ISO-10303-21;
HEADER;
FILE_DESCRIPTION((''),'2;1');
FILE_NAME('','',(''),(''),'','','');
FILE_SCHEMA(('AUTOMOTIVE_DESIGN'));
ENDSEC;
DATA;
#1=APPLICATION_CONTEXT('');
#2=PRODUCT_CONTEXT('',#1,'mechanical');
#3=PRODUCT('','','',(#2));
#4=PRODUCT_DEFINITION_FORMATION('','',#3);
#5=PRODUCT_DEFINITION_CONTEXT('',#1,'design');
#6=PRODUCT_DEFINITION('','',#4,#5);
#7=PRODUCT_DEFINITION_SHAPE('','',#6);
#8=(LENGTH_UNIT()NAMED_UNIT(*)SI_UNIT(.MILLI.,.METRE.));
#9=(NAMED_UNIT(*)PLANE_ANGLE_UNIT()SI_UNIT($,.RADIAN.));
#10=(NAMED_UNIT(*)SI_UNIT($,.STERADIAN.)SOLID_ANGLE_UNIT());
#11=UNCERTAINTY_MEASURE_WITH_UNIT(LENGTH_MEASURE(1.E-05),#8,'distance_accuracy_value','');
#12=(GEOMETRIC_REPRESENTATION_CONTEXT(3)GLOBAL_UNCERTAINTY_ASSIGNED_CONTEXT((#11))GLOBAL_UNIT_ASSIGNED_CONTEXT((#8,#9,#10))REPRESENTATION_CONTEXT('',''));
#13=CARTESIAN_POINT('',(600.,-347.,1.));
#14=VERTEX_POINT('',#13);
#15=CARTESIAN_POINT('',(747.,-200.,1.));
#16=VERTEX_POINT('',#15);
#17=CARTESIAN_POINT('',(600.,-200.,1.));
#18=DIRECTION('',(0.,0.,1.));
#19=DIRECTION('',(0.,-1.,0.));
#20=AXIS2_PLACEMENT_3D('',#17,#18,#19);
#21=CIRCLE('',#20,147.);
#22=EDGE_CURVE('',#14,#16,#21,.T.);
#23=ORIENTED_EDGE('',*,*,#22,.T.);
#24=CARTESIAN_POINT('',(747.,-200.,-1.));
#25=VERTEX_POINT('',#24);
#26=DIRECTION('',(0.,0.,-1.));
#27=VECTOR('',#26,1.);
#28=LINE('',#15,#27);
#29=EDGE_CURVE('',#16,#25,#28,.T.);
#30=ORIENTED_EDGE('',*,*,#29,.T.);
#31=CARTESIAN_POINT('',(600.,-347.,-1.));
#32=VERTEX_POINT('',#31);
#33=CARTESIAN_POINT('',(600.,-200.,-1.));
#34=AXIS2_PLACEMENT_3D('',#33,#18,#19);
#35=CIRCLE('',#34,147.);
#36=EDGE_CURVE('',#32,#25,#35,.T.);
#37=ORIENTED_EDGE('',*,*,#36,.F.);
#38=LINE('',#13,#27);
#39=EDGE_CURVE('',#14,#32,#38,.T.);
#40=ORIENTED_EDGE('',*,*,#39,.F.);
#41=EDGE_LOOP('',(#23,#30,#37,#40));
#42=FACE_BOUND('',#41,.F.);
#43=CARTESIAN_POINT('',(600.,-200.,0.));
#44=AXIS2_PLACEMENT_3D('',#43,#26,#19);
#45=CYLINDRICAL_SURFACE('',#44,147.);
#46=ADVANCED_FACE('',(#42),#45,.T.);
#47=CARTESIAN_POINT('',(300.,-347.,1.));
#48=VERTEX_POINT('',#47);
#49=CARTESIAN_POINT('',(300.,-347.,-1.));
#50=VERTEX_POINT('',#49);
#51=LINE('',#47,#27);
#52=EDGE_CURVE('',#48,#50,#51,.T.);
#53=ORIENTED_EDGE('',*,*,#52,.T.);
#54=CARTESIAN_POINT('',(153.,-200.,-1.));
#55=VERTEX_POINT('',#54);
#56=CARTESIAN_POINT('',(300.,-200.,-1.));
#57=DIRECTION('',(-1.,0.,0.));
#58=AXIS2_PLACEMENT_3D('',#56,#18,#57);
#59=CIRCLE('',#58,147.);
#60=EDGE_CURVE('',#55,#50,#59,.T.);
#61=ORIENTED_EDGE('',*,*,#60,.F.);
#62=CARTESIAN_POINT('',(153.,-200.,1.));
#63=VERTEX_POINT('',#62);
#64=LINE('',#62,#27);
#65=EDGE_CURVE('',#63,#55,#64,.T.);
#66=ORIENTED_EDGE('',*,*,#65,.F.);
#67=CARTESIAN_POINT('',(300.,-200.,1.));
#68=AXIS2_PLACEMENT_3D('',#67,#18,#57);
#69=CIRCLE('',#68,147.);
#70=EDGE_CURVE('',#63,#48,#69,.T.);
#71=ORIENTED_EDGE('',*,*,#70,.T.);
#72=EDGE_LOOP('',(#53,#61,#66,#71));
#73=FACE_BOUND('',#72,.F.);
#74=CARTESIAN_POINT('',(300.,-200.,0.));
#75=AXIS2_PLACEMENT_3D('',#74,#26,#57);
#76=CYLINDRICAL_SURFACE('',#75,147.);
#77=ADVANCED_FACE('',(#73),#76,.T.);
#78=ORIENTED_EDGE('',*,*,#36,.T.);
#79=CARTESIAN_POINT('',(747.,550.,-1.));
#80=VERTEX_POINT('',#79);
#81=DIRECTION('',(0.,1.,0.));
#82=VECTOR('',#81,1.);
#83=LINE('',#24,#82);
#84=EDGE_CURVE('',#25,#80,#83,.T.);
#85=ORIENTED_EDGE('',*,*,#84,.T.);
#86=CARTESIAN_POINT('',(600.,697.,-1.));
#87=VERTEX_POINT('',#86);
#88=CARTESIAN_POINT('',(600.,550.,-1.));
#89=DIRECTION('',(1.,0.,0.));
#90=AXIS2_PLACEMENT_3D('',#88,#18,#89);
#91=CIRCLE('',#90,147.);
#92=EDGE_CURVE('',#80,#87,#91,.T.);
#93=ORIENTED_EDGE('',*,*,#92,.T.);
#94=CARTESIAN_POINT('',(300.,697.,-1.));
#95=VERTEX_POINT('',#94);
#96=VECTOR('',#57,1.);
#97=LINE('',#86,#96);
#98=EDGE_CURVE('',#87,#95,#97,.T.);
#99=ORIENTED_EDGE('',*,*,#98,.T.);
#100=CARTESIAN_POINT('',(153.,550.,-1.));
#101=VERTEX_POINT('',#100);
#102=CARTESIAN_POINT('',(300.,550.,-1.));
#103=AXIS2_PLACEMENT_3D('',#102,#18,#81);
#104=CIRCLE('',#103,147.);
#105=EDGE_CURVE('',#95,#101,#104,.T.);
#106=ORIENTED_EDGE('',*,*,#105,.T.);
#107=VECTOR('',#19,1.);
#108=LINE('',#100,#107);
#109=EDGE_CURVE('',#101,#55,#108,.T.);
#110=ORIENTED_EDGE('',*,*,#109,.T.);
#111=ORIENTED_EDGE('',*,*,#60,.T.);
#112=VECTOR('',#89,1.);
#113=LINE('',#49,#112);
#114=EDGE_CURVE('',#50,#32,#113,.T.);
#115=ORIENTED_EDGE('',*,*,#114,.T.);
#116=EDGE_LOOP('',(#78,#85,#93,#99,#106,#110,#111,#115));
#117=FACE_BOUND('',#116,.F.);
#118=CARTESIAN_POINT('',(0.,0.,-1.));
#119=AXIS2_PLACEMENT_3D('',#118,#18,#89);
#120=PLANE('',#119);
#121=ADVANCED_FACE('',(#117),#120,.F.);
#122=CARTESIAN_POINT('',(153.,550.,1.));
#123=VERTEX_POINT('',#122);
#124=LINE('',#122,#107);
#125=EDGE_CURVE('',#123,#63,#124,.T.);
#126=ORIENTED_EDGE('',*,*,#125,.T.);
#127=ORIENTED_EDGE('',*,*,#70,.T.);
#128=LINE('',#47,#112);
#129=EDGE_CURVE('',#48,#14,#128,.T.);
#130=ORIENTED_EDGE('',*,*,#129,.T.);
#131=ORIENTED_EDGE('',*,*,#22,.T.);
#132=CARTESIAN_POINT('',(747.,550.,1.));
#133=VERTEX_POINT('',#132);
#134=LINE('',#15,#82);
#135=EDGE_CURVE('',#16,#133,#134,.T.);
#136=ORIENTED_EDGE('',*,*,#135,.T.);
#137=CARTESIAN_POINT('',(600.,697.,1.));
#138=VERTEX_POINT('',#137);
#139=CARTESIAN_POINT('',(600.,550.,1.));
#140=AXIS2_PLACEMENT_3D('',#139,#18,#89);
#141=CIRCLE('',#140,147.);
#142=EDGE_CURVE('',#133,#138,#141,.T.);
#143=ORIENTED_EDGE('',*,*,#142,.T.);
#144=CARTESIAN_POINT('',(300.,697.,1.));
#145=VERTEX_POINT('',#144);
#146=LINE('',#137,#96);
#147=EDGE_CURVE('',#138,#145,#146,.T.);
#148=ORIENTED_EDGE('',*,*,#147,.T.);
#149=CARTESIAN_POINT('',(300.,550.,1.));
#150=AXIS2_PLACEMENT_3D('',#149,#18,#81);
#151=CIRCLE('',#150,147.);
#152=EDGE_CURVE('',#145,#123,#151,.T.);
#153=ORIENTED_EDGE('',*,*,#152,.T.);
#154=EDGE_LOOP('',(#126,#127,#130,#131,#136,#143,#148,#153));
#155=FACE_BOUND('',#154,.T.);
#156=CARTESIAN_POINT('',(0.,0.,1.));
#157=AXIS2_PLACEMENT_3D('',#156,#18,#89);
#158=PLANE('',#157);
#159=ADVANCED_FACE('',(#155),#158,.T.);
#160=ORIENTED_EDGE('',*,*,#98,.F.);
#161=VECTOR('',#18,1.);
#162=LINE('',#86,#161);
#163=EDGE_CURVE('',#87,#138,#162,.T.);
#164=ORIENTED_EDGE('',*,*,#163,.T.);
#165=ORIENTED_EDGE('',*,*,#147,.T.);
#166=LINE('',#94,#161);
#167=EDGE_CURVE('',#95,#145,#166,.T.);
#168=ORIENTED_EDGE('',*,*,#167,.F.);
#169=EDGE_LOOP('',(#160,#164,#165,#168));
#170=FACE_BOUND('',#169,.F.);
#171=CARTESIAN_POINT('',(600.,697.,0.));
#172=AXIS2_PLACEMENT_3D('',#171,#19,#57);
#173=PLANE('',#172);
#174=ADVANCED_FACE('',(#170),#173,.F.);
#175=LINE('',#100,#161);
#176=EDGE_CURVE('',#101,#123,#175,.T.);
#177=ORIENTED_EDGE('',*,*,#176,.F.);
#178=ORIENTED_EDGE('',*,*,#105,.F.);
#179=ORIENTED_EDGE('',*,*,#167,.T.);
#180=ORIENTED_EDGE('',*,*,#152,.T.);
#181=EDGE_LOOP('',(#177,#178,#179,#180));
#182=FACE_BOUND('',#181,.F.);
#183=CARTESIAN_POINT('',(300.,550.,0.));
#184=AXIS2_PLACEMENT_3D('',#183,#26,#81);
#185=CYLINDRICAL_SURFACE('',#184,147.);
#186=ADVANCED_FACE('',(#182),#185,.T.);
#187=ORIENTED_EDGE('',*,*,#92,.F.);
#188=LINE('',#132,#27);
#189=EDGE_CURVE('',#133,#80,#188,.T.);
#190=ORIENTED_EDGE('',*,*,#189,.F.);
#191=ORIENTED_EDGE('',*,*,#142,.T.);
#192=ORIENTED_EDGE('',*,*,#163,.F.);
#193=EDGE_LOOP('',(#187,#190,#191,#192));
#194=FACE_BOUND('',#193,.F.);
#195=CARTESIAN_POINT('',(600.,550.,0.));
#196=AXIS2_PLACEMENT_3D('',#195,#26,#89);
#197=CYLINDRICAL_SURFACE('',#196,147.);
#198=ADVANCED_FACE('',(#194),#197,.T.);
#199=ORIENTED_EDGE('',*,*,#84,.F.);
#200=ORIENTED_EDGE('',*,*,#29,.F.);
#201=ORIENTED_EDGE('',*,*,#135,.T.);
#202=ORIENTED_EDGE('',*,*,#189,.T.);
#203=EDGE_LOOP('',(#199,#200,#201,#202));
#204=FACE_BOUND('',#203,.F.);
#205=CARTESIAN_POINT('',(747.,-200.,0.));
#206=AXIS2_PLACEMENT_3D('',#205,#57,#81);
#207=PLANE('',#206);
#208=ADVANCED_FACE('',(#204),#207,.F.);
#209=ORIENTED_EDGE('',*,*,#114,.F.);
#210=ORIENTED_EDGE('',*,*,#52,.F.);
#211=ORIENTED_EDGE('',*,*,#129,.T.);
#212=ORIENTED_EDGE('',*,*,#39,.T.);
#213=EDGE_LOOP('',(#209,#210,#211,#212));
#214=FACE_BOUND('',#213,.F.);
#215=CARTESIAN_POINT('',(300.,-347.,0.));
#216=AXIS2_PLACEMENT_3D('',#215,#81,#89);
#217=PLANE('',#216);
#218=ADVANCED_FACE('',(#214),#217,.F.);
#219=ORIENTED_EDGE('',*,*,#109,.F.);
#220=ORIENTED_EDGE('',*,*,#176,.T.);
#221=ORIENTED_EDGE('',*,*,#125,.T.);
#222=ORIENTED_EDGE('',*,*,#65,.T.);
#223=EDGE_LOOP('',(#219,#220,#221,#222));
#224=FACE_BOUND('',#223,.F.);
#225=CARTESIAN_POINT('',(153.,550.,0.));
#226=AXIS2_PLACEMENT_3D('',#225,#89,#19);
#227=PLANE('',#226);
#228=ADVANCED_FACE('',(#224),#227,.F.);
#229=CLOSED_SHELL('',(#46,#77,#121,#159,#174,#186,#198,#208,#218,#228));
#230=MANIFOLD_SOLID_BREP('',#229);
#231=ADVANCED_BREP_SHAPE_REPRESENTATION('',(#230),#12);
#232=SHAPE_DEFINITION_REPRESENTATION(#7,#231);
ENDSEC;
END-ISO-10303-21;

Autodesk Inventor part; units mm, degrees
ref_plane "YZ Plane" through (0, 0, 0) normal (1, 0, 0) x (0, 1, 0)
ref_plane "XZ Plane" through (0, 0, 0) normal (0, 1, 0) x (-1, 0, 0)
ref_plane "XY Plane" through (0, 0, 0) normal (0, 0, 1) x (1, 0, 0)
sketch "Sketch1" plane through (0, 0, 0) normal (0, 0, 1) x (1, 0, 0)
  line L0 (0, -500) -> (900, -500)
  line L1 (900, -500) -> (900, 850)
  line L2 (900, 850) -> (0, 850)
  line L3 (0, 850) -> (0, -500)
  line L4 (0, -500) -> (900, 850) construction
  line L5 (900, -500) -> (0, 850) construction
  line L6 (300, 700) -> (600, 700)
  line L7 (750, 550) -> (750, -200)
  line L8 (600, -350) -> (300, -350)
  line L9 (150, -200) -> (150, 550)
  arc A0 (750, 550) -> (600, 700) centre (600, 550) ccw
  arc A1 (300, 700) -> (150, 550) centre (300, 550) ccw
  arc A2 (150, -200) -> (300, -350) centre (300, -200) ccw
  arc A3 (600, -350) -> (750, -200) centre (600, -200) ccw
  line L10 (600, 697) -> (300, 697)
  arc A4 (300, 697) -> (153, 550) centre (300, 550) ccw
  line L11 (153, 550) -> (153, -200)
  arc A5 (153, -200) -> (300, -347) centre (300, -200) ccw
  line L12 (300, -347) -> (600, -347)
  arc A6 (600, -347) -> (747, -200) centre (600, -200) ccw
  line L13 (747, -200) -> (747, 550)
  arc A7 (747, 550) -> (600, 697) centre (600, 550) ccw
  point P0 (0, 0)
  point P1 (0, 0)
  point P2 (450, 175)
  dimension "d0" = 900
  dimension "d1" = 1350
  dimension "d2" = 150
  dimension "d3" = 150
  dimension "d4" = 150
  dimension "d5" = 150
  dimension "d6" = 150
  dimension "d7" = 3
  dimension "d10" = 1044
extrude "Extrusion1" add sketch "Sketch1" along normal mid plane 2 contours A7 L13 A6 L12 A5 L11 A4 L10
equation "\"Space5\" = 0"
equation "\"Space6\" = 0"
equation "\"Space7\" = 0"
properties part number "PLatico" material "Plastic, Transparent"
